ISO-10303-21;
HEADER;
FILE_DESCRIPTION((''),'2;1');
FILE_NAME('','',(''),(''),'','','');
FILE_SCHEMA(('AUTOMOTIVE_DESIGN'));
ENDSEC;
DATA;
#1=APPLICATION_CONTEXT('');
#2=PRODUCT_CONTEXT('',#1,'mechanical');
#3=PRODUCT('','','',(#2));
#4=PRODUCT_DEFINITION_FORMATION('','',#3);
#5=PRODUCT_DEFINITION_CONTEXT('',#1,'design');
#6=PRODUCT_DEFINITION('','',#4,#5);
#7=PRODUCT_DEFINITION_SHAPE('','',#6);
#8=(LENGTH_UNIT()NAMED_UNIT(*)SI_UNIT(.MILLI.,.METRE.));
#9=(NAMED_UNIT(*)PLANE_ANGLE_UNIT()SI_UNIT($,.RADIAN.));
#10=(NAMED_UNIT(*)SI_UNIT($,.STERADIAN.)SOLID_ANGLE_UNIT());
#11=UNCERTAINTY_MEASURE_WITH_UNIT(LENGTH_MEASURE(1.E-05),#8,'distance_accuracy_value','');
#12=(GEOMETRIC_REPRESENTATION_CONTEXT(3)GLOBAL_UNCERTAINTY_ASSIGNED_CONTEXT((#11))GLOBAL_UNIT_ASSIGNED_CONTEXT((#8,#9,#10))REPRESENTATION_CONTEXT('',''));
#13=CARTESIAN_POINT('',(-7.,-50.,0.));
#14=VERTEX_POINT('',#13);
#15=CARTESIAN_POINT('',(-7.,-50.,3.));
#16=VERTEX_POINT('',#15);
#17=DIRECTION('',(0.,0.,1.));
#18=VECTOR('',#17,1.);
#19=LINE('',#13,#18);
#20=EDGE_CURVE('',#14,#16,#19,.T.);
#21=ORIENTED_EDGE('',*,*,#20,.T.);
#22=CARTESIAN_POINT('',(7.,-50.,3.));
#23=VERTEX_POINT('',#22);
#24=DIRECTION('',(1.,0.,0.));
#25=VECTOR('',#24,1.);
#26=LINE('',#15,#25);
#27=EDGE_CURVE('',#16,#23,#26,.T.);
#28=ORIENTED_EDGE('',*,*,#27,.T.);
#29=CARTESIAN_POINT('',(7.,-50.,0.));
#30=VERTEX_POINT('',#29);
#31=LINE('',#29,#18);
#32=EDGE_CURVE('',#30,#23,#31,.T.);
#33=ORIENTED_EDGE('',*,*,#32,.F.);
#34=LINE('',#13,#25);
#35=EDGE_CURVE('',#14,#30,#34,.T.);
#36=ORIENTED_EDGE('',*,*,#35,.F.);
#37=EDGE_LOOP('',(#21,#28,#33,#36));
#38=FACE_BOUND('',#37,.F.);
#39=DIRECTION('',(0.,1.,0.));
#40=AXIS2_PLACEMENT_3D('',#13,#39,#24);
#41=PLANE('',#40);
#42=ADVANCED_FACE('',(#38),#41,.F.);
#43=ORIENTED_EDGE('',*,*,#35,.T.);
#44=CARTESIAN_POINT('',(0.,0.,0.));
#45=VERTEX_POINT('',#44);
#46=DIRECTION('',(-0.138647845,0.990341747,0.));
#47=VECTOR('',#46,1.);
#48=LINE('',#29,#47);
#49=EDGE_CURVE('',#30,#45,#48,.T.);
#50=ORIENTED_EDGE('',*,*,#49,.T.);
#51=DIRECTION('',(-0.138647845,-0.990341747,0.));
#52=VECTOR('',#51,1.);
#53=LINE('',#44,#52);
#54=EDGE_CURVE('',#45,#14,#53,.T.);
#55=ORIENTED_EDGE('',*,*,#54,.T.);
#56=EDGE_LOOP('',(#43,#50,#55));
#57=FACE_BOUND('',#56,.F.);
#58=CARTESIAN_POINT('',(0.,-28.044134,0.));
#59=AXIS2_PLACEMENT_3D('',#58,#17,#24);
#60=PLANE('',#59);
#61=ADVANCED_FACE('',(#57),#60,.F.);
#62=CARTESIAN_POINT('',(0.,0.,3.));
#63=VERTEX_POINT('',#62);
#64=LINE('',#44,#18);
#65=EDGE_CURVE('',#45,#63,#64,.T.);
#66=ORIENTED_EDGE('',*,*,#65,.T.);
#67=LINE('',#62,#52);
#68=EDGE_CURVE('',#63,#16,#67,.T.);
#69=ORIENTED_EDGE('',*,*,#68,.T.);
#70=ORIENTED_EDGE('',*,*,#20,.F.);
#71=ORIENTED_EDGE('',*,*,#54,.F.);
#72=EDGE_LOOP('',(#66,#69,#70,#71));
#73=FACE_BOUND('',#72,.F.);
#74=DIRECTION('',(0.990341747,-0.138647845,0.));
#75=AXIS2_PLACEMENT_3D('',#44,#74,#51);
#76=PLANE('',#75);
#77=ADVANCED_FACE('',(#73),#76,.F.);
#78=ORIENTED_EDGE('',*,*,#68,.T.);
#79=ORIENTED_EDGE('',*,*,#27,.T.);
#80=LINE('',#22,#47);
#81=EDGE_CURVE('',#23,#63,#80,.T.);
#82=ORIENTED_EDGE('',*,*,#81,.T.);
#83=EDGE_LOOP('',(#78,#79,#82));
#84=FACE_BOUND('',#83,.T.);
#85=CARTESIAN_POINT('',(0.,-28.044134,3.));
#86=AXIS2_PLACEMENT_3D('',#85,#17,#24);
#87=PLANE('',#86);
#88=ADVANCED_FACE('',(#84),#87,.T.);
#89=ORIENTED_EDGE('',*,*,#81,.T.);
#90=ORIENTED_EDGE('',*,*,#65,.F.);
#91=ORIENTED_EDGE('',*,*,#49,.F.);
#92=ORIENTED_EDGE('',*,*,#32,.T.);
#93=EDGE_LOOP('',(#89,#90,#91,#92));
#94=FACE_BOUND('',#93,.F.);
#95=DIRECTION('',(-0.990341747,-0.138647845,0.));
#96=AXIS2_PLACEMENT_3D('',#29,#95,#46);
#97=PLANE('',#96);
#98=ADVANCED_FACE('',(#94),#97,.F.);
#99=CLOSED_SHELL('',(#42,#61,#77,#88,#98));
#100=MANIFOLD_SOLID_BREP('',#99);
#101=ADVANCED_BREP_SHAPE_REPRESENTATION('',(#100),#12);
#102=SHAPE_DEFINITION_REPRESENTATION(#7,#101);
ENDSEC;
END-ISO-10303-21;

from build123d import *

# Parameters (mm, degrees)
F1_DEPTH = 3


with BuildPart() as f1:
    # F0 (on Top) → F1 (new body)
    with BuildSketch(Plane.XY):
        Polygon((7, -50), (0, 0), (-7, -50), (0, -50), align=None)
        with BuildLine():
            ThreePointArc((5, -45), (3.5355339059, -48.5355339059), (0, -50))
            ThreePointArc((0, -50), (-3.5355339059, -41.4644660941), (5, -45))
        make_face(mode=Mode.SUBTRACT)
        with BuildLine():
            ThreePointArc((5, -45), (-3.5355339059, -41.4644660941), (0, -50))
            ThreePointArc((0, -50), (3.5355339059, -48.5355339059), (5, -45))
        make_face()
    extrude(amount=F1_DEPTH)


solid = f1.part
